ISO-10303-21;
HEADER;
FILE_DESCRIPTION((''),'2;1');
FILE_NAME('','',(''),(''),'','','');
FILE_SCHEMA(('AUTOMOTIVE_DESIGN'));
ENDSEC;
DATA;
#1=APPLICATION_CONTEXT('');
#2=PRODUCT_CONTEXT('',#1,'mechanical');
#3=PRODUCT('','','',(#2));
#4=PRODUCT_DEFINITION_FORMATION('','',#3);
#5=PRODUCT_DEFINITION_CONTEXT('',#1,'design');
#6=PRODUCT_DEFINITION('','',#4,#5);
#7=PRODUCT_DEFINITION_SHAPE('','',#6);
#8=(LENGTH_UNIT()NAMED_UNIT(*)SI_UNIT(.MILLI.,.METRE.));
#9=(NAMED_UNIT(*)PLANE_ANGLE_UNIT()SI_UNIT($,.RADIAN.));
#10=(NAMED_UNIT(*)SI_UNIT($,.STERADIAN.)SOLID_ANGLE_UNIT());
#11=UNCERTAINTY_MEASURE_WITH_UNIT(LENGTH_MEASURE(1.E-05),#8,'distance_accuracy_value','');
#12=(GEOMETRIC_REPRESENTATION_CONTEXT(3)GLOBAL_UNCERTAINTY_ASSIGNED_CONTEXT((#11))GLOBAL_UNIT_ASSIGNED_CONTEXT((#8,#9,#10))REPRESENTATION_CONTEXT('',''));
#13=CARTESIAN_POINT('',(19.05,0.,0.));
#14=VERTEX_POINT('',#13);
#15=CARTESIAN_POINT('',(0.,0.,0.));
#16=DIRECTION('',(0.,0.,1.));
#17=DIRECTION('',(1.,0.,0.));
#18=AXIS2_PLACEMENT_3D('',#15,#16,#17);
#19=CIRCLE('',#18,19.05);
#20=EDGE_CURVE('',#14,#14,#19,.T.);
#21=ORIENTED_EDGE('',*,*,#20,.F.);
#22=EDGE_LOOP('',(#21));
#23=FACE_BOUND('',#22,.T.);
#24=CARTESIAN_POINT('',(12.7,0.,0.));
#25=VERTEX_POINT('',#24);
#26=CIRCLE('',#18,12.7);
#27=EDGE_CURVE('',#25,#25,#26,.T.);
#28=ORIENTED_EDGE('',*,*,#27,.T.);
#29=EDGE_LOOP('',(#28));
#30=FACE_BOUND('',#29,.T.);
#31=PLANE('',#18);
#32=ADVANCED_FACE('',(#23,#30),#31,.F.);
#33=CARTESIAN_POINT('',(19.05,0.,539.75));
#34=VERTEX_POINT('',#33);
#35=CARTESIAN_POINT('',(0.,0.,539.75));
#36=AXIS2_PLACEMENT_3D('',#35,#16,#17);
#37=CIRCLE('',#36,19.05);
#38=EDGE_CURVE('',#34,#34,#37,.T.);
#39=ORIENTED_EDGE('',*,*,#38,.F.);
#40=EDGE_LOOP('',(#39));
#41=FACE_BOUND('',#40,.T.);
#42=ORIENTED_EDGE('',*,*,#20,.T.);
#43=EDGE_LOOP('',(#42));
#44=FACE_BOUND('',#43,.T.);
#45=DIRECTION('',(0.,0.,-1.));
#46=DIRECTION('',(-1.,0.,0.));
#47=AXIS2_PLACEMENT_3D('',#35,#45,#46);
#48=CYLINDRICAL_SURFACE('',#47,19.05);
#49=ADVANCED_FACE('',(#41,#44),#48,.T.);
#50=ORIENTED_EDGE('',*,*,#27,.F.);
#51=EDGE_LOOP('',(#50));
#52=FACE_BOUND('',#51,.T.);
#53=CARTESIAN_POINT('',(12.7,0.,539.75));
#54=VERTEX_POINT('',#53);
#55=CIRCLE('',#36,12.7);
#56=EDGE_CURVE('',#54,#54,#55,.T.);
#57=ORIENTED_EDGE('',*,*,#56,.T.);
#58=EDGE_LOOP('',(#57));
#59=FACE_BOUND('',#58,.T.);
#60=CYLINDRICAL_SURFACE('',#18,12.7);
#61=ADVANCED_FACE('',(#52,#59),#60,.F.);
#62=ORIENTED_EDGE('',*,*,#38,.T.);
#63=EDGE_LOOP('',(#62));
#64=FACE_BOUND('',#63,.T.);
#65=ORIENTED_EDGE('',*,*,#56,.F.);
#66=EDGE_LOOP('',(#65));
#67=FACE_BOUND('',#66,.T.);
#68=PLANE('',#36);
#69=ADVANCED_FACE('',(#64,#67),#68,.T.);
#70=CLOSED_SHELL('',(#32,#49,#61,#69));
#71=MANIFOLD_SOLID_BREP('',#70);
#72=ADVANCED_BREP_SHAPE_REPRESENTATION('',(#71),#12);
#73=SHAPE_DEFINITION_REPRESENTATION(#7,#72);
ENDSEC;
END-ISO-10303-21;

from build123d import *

# Parameters (mm, degrees)
SKETCH1_R           = 19.05
BOSS_EXTRUDE1_DEPTH = 539.75
SKETCH2_R           = 12.7
CUT_EXTRUDE1_DEPTH  = 539.75


with BuildPart() as part:
    # Sketch1 → Boss-Extrude1 (new body)
    with BuildSketch(Plane.XY):
        Circle(SKETCH1_R)
    extrude(amount=BOSS_EXTRUDE1_DEPTH)

    # Sketch2 → Cut-Extrude1 (cut)
    with BuildSketch(Plane.XY.offset(539.75)):
        Circle(SKETCH2_R)
    extrude(amount=-CUT_EXTRUDE1_DEPTH, mode=Mode.SUBTRACT)


solid = part.part
